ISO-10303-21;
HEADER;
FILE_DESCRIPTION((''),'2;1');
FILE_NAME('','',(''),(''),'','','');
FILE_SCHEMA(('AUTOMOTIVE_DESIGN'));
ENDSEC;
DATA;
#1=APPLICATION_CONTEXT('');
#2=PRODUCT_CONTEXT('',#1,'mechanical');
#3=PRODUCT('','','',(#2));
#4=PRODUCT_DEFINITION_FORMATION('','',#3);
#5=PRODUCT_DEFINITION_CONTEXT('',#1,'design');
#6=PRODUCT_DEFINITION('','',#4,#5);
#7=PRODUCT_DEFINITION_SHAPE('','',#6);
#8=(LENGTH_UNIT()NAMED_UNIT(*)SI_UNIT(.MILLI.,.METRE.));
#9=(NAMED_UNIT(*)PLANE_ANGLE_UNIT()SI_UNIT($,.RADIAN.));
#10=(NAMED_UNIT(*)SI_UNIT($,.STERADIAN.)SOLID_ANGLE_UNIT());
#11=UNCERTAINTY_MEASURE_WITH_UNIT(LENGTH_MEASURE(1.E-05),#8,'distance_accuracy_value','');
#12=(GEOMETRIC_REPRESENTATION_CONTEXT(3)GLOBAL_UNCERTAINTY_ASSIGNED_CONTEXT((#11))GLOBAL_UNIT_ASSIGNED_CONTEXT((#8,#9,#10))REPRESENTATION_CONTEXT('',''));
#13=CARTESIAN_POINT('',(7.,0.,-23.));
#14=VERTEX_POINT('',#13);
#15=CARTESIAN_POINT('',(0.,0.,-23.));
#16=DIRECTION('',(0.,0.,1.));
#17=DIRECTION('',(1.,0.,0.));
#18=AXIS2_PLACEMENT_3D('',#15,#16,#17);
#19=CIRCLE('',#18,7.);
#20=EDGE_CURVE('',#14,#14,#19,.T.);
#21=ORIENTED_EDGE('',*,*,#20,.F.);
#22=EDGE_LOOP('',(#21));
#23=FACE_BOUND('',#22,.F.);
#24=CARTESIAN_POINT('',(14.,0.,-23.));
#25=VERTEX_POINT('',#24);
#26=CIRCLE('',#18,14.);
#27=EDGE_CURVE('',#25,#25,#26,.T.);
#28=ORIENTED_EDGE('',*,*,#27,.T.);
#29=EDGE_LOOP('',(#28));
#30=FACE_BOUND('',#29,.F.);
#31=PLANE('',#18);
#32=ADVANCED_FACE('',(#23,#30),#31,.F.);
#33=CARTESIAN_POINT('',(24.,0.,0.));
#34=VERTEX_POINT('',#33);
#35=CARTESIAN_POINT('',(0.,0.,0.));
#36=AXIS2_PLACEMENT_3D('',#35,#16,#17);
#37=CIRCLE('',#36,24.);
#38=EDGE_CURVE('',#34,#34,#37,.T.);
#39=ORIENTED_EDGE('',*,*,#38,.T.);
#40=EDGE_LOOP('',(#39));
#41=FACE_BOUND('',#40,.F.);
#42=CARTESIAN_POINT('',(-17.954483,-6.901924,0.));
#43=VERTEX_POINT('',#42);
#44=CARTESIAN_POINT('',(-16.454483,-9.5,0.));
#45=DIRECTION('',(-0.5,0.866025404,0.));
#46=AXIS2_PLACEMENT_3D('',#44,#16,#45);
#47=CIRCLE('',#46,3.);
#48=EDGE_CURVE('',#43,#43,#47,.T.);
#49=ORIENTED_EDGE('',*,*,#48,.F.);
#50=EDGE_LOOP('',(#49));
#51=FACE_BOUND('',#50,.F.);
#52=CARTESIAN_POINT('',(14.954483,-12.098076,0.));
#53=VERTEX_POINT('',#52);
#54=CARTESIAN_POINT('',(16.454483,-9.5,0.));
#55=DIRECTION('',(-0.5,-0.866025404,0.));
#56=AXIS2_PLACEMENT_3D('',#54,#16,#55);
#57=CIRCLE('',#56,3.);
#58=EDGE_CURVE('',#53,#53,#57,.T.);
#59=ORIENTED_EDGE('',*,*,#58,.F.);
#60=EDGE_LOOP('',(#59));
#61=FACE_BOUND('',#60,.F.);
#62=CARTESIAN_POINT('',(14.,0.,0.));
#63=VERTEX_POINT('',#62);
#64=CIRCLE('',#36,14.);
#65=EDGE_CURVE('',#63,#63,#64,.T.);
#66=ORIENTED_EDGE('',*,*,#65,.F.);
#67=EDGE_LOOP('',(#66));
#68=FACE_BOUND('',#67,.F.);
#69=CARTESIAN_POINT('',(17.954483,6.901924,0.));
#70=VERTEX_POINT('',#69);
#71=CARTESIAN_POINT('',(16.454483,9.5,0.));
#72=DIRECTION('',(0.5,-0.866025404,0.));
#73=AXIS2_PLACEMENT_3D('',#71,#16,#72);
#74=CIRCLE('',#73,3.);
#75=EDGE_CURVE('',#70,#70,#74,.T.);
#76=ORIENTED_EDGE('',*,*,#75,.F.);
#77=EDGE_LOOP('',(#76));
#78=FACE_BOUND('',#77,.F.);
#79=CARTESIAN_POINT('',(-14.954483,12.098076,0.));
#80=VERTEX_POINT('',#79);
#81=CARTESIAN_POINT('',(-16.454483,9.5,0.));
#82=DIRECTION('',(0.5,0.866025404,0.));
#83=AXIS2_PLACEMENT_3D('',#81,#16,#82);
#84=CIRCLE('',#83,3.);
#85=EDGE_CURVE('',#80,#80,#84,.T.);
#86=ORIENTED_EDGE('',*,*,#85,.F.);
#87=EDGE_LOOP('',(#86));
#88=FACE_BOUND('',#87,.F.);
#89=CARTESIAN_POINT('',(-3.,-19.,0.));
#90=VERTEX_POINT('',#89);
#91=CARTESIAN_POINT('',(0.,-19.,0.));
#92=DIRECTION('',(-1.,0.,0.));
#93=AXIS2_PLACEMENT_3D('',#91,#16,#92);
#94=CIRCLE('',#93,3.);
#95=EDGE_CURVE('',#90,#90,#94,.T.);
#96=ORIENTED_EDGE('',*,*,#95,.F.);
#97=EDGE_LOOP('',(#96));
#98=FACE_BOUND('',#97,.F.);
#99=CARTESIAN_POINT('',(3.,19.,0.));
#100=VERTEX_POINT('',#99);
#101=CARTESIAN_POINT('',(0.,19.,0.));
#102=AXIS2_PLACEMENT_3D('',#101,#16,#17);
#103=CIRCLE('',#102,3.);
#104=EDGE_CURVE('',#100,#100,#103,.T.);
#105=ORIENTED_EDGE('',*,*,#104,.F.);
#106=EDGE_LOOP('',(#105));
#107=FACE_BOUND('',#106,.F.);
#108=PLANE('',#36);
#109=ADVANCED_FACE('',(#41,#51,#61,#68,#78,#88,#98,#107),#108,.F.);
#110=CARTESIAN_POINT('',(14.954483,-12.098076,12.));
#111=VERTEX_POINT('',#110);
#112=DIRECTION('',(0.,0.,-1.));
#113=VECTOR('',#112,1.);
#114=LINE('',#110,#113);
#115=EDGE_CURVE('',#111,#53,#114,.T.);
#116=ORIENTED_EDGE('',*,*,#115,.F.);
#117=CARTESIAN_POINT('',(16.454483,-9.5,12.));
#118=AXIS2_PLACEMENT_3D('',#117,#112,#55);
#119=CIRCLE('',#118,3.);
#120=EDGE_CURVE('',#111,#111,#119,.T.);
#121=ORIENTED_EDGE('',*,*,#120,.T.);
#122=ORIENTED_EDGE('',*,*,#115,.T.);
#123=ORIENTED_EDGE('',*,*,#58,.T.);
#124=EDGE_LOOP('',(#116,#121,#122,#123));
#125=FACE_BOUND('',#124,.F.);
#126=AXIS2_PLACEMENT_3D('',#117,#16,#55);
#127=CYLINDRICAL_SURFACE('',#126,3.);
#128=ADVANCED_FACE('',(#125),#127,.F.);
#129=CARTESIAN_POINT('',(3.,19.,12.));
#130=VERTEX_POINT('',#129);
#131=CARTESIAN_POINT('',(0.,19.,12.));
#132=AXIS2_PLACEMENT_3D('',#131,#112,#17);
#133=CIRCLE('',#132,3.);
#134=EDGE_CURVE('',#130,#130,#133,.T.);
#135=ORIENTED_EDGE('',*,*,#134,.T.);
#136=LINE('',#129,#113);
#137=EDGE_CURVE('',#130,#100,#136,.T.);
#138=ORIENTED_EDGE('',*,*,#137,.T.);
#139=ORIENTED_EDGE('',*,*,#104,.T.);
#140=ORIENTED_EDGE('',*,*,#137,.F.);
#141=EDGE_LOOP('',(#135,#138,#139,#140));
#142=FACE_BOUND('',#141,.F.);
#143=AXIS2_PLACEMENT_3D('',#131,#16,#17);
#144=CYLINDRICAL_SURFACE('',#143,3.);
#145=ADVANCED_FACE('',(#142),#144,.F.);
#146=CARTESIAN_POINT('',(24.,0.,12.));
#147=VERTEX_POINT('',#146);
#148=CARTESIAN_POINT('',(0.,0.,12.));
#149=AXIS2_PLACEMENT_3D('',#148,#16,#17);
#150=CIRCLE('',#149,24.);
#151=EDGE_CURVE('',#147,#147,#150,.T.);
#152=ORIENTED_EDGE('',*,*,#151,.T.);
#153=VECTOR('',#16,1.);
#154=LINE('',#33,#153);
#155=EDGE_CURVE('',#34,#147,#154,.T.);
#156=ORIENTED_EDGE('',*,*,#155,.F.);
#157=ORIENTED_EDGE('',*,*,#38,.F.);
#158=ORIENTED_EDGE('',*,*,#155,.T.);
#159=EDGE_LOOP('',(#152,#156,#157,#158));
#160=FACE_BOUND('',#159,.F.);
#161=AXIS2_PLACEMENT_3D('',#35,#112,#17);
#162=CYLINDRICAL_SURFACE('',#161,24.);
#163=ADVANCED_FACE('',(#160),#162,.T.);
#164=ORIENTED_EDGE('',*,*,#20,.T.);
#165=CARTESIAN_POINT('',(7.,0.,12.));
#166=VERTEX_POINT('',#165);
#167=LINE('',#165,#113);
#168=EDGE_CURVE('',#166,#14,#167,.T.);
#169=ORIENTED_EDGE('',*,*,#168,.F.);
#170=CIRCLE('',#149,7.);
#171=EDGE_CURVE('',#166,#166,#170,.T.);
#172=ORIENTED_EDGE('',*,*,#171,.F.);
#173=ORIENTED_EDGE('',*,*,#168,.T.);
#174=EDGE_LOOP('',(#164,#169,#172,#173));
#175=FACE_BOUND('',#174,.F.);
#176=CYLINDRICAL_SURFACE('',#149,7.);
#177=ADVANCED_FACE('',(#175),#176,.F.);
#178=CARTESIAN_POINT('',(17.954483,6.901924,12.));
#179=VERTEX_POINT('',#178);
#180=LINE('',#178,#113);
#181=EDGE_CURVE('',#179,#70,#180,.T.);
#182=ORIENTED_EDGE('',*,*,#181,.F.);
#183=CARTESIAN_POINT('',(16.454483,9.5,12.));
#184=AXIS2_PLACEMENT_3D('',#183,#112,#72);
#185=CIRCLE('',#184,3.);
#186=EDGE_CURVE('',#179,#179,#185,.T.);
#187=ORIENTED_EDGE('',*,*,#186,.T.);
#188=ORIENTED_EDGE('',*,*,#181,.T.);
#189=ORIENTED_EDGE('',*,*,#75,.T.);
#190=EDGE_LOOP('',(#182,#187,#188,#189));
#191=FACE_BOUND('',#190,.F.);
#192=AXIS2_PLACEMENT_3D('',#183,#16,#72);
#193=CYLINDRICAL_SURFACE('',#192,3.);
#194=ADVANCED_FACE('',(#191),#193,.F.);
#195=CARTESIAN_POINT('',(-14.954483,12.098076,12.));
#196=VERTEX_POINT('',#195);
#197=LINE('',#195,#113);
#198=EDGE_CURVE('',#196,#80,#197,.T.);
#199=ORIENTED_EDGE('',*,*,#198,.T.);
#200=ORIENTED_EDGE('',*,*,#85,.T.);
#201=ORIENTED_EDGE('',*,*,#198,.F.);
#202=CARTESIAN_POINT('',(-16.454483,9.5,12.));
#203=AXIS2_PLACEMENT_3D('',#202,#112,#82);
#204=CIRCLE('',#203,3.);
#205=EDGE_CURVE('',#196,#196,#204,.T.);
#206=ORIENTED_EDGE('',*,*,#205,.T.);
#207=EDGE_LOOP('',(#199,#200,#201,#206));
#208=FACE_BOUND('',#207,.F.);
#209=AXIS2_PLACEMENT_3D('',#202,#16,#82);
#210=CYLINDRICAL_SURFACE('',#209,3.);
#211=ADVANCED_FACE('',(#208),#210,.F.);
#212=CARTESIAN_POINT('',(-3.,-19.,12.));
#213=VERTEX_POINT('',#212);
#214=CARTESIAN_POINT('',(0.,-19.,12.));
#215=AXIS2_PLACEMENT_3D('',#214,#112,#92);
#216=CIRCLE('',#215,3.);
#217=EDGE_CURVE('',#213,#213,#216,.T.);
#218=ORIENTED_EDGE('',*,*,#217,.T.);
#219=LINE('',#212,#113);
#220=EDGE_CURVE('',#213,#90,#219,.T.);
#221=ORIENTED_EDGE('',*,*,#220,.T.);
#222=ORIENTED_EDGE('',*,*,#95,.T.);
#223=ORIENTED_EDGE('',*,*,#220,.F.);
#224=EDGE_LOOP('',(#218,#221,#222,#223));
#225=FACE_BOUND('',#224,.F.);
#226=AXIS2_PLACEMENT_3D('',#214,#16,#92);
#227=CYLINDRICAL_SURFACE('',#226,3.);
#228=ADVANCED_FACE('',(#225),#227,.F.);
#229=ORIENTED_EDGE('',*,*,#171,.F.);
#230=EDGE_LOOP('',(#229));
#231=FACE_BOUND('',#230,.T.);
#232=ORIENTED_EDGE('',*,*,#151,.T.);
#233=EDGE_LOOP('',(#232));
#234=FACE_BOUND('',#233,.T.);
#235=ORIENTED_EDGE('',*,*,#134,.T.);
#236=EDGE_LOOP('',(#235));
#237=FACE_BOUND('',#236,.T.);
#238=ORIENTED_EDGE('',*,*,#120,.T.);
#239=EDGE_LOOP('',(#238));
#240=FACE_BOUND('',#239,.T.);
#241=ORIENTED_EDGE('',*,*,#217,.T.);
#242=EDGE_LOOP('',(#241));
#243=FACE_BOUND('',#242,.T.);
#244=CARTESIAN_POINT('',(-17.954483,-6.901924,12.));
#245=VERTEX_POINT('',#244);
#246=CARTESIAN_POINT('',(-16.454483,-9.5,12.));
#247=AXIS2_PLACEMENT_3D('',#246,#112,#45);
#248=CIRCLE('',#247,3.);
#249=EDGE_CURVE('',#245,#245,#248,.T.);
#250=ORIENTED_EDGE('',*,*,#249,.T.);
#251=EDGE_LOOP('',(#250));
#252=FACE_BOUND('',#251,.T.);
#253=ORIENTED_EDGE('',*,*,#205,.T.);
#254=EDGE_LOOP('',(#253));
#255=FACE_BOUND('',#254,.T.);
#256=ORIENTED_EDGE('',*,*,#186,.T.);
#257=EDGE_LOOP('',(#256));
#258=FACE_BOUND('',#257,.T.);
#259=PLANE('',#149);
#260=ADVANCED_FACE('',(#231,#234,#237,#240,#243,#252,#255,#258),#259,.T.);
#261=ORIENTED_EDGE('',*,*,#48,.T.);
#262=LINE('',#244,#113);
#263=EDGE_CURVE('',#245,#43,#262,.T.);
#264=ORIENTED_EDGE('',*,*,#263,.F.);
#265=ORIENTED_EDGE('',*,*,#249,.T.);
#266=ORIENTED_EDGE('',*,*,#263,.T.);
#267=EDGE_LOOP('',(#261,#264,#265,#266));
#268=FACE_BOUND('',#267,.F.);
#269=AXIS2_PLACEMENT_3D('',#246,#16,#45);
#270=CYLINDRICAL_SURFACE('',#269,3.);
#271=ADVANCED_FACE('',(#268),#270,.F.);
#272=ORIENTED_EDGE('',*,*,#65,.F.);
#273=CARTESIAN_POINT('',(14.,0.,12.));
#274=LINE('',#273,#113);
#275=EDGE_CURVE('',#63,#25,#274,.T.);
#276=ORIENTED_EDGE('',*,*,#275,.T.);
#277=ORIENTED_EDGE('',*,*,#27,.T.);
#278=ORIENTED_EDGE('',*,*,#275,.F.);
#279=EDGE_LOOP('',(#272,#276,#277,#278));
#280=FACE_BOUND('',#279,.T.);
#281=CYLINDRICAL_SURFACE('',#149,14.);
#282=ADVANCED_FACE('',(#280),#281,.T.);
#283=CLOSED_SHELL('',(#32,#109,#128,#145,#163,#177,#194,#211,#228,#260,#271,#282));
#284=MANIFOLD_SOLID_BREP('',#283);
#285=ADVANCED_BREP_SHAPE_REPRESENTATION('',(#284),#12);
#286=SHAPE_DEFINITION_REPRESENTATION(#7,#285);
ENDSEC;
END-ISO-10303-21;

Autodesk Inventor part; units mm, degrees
ref_plane "YZ Plane" through (0, 0, 0) normal (1, 0, 0) x (0, 1, 0)
ref_plane "XZ Plane" through (0, 0, 0) normal (0, 1, 0) x (-1, 0, 0)
ref_plane "XY Plane" through (0, 0, 0) normal (0, 0, 1) x (1, 0, 0)
sketch "Szkic1" plane through (0, 0, 0) normal (0, 0, 1) x (1, 0, 0)
  circle A0 centre (0, 0) radius 24
  circle A1 centre (0, 0) radius 14
  dimension "d0" = 48
  dimension "d1" = 28
extrude "Wyciągnięcie proste1" add sketch "Szkic1" along normal blind 12
sketch "Szkic2" plane through (0, 0, 12) normal (0, 0, 1) x (1, 0, 0)
  circle A0 centre (0, 0) radius 19
  circle A1 centre (0, 19) radius 3
  dimension "d4" = 38
  dimension "d5" = 6
extrude "Wyciągnięcie proste2" cut sketch "Szkic2" against normal blind 12 contours A1 A0 | A0 A1 picked at (0, 17.9824) picked at (0.0843, 19.9789)
pattern_circular "Szyk kołowy1" count 6 over 360 about axis through (0, 0, 0) along (0, 0, 1) of "Wyciągnięcie proste2"
sketch "Szkic3" plane through (0, 0, 12) normal (0, 0, 1) x (1, 0, 0)
  circle A0 centre (0, 0) radius 14
  circle A1 centre (0, 0) radius 7
  dimension "d11" = 28
  dimension "d12" = 14
extrude "Wyciągnięcie proste3" add sketch "Szkic3" against normal blind 35
properties part number "Cartesian1_Z_TrapezoiadlNut" material "Brąz, miękki cynowy"
